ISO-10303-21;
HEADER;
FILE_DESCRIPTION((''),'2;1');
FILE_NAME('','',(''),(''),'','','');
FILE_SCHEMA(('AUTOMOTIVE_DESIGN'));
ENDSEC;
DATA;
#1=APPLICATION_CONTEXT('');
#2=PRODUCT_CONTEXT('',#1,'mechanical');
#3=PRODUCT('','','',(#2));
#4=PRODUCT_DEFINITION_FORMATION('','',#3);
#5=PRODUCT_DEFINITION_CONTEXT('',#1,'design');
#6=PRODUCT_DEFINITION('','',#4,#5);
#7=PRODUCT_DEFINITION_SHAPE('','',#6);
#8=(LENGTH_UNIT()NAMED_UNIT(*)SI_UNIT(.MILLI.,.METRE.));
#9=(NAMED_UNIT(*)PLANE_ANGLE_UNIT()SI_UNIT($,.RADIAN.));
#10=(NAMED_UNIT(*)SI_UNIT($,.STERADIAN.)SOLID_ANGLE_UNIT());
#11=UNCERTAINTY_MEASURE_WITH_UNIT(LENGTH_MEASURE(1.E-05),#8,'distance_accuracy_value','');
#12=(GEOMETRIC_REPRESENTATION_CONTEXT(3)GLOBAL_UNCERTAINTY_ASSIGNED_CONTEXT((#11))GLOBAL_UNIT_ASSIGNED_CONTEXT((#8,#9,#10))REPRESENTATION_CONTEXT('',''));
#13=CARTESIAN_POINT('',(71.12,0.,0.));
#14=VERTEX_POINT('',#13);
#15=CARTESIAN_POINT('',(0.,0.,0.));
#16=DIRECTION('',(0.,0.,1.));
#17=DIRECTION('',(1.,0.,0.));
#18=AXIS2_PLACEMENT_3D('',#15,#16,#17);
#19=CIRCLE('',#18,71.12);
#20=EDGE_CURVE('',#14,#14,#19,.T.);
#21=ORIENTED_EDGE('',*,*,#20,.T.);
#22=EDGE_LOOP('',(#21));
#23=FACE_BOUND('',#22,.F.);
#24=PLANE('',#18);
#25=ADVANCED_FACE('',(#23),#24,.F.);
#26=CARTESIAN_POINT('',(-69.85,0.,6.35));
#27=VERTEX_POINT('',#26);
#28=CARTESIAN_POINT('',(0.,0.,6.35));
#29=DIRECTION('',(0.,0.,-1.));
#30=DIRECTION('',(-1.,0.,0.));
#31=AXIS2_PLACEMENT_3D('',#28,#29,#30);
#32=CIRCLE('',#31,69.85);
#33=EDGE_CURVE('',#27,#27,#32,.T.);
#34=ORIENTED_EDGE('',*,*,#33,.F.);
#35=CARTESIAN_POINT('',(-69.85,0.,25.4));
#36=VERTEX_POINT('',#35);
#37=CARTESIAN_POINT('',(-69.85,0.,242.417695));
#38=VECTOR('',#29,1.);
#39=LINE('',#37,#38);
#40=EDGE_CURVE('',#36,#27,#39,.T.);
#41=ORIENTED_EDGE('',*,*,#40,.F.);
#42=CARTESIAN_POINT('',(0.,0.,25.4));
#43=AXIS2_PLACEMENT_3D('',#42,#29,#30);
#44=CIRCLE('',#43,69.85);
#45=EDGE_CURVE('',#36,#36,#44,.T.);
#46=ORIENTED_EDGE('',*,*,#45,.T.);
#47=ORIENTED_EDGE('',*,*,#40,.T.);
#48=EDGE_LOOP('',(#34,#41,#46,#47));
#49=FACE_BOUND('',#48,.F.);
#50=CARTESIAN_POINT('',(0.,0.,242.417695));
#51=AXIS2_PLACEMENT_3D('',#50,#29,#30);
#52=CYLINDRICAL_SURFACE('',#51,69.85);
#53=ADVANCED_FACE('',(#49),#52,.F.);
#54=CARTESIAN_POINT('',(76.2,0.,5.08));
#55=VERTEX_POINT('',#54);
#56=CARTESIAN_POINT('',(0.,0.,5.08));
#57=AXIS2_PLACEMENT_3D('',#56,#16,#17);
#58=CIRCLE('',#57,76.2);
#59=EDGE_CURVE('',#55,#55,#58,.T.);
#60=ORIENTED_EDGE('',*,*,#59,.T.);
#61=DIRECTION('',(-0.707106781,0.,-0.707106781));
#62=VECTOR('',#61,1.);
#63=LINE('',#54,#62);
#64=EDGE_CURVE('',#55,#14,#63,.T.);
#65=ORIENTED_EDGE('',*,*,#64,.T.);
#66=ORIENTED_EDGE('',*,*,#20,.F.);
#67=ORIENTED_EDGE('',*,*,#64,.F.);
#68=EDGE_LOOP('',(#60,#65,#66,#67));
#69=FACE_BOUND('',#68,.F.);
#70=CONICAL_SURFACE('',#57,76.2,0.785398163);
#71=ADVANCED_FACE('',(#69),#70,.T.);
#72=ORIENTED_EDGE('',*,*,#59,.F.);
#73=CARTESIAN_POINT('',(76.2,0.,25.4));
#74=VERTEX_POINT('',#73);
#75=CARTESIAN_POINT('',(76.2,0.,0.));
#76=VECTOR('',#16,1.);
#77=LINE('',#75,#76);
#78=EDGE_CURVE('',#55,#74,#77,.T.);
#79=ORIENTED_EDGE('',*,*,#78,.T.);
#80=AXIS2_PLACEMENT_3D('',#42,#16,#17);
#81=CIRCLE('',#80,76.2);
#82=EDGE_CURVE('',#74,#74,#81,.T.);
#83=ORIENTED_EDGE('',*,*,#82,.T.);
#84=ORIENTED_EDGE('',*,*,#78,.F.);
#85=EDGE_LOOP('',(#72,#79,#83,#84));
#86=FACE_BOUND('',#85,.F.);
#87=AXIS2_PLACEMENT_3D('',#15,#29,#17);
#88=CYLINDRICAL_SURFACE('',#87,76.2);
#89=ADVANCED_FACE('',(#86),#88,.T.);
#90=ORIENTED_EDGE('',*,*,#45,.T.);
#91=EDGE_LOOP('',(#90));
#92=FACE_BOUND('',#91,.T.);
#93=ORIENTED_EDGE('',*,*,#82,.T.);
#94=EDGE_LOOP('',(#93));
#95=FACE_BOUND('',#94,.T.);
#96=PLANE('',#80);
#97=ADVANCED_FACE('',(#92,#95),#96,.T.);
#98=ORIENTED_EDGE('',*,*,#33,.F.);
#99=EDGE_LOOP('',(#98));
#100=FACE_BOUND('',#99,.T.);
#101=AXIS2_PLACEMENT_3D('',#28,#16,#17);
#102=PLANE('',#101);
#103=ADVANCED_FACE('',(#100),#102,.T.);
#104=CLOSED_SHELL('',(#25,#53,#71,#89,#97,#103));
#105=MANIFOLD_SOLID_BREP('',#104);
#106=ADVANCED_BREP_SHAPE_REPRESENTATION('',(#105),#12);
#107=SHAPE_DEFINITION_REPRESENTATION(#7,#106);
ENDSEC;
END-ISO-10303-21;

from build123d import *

# Parameters (mm, degrees)
F0_R     = 76.2
F1_DEPTH = 25.4
F2_SIZE  = 5.08
F4_D     = 139.7
F5_R     = 69.85
F6_DEPTH = 6.35


with BuildPart() as f1:
    # F0 (on Top) → F1 (new body)
    with BuildSketch(Plane.XY):
        Circle(F0_R)
    extrude(amount=F1_DEPTH)

    # F2
    f2_edges = [f1.edges().sort_by_distance(p)[0] for p in [
        (-76.2, 0, 0),
    ]]
    chamfer(f2_edges, length=F2_SIZE)

    # F4 (through all)
    with Locations(Plane.XY.offset(25.4)):
        with Locations((0, 0)):
            Hole(F4_D / 2)

    # F5 (on Top) → F6 (join)
    with BuildSketch(Plane.XY):
        Circle(F5_R)
    extrude(amount=F6_DEPTH)


solid = f1.part
